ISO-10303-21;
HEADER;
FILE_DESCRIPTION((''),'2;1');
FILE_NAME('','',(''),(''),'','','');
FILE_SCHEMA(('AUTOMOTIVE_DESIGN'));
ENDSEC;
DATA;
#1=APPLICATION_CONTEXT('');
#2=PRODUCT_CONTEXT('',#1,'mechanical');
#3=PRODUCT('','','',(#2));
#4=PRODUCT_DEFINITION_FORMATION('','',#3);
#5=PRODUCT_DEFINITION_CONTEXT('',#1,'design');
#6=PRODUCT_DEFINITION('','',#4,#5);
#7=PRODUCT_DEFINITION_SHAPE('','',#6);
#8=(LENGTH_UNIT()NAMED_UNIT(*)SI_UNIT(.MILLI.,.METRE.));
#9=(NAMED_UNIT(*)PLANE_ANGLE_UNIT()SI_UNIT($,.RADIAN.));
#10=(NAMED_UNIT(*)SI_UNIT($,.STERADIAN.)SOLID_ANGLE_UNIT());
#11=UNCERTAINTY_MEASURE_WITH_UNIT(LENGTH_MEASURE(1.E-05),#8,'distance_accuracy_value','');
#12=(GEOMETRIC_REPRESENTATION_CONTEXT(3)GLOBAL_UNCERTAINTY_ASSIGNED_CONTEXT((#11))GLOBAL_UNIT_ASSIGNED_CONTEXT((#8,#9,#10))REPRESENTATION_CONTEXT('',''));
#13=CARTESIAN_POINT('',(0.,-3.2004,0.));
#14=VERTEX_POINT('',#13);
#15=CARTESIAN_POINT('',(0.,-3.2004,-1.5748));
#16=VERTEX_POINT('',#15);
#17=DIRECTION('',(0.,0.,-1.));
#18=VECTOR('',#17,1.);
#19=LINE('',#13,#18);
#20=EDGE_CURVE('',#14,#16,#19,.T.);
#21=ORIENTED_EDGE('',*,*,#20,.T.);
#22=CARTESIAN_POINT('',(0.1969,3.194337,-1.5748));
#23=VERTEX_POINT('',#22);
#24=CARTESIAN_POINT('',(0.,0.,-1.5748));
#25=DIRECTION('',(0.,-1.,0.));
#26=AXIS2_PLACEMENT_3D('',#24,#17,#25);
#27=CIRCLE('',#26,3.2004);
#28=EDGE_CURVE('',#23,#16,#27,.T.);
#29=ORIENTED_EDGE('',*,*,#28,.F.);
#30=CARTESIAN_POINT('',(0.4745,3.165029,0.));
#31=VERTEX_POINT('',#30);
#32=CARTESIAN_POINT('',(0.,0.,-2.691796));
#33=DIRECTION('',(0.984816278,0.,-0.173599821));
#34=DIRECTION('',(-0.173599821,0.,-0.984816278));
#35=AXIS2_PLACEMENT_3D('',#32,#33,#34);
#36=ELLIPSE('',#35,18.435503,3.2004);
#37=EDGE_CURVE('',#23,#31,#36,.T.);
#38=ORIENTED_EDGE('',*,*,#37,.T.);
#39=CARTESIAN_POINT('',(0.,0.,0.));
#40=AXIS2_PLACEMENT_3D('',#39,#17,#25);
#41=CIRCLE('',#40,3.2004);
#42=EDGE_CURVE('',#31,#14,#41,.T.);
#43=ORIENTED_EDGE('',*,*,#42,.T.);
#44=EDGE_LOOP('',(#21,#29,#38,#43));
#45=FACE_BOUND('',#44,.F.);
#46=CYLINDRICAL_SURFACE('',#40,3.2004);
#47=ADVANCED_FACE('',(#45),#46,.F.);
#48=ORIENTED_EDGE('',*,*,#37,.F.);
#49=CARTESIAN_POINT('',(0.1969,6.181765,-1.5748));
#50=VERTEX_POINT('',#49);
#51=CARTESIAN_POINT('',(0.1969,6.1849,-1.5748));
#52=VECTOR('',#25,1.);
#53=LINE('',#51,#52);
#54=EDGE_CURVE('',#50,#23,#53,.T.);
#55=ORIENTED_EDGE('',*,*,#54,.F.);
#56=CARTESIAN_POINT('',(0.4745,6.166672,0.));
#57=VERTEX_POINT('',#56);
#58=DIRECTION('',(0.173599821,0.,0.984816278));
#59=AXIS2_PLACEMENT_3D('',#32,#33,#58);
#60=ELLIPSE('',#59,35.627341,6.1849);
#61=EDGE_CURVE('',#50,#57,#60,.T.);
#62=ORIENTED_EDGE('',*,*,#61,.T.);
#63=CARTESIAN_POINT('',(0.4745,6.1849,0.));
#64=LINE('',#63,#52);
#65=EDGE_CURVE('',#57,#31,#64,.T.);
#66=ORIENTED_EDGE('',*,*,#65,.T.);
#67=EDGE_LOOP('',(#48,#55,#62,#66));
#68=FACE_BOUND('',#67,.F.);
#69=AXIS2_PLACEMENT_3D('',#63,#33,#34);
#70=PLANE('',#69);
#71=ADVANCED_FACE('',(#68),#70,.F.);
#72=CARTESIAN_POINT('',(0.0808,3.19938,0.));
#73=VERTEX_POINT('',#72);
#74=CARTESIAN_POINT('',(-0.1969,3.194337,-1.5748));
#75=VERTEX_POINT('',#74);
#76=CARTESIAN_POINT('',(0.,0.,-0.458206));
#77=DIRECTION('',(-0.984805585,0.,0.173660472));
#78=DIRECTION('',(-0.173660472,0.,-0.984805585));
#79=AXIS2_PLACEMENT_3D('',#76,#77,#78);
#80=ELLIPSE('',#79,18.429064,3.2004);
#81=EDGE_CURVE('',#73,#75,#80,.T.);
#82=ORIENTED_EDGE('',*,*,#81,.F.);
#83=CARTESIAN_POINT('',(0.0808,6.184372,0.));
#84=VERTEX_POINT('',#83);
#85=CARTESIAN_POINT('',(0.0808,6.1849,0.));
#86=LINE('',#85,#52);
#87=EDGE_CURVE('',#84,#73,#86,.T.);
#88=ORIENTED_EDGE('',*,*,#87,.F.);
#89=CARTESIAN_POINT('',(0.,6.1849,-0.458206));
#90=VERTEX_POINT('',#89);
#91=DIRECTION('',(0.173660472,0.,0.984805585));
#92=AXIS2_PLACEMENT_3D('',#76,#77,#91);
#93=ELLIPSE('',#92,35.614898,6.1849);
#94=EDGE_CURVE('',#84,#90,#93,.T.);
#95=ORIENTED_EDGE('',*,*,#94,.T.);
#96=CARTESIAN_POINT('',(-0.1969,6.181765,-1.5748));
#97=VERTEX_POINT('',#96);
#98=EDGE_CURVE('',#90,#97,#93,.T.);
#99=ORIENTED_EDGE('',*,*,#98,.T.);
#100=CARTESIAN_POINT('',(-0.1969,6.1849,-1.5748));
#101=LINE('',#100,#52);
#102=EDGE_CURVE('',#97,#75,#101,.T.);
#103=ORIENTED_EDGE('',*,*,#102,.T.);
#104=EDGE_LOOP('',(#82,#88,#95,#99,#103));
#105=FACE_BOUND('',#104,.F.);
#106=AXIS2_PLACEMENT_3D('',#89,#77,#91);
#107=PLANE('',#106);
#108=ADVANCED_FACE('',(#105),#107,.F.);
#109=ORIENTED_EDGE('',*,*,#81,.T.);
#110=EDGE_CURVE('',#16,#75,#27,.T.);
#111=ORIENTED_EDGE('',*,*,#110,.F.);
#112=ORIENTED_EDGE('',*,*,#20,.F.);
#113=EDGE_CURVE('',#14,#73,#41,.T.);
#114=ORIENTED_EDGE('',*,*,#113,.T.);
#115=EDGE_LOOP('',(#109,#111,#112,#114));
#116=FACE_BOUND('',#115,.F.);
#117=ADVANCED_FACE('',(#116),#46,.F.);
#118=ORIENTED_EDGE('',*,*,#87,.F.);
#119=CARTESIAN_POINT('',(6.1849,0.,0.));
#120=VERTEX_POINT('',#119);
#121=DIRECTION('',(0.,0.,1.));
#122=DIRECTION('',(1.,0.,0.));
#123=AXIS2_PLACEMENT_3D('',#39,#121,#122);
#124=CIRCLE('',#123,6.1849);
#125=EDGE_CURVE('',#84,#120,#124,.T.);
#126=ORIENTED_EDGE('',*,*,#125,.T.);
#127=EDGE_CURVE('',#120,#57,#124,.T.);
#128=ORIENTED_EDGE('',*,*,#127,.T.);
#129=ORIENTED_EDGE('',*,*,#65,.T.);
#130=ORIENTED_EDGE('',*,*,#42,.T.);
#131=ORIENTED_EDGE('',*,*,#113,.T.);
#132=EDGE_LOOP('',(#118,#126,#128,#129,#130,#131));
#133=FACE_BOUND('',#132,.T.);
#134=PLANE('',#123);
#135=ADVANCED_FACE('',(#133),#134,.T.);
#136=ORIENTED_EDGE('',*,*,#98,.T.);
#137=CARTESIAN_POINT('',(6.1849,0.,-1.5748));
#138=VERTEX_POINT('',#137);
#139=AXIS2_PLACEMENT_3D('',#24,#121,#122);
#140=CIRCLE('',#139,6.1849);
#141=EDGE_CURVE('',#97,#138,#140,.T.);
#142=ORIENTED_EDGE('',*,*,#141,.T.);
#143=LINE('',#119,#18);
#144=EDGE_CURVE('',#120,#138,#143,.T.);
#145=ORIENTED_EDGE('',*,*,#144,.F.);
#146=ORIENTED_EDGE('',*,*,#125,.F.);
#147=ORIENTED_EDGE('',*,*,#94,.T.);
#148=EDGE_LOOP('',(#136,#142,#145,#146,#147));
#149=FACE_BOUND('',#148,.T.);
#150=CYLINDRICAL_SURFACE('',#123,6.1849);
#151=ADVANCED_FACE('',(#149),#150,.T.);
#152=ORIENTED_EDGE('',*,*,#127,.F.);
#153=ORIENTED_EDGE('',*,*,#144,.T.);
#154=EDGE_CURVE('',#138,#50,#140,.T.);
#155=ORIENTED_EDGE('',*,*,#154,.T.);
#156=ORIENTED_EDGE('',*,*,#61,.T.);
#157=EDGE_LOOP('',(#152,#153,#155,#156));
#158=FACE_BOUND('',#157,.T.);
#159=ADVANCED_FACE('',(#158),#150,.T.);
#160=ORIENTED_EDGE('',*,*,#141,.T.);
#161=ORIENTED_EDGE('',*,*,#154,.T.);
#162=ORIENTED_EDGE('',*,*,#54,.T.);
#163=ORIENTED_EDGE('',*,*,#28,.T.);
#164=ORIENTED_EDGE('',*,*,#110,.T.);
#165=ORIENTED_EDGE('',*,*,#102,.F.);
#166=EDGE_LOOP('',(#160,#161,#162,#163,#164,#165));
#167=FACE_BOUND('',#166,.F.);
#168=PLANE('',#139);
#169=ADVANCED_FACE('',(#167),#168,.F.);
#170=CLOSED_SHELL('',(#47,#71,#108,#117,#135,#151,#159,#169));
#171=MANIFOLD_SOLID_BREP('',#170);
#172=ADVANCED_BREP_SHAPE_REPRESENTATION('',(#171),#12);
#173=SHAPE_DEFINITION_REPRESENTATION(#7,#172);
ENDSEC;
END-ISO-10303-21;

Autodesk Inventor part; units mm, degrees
ref_plane "WorkPlane1" through (0, 0, 0) normal (0, 0, 1) x (1, 0, 0)
ref_plane "WorkPlane3" through (0, 0, -1.5748) normal (0, 0, 1) x (1, 0, 0)
ref_plane "Work Plane3" through (0, -6.1849, 0) normal (0, 1, 0) x (-1, 0, 0)
ref_plane "WorkPlane10" through (0, 6.1849, 0) normal (0, 1, 0) x (-1, 0, 0)
sketch "Sketch1" plane through (0, 0, 0) normal (0, 0, 1) x (1, 0, 0)
  point P0 (0, 0)
sketch "Sketch2" plane through (0, 0, 0) normal (0, 0, 1) x (1, 0, 0)
  circle A0 centre (0, 0) radius 6.1849
  dimension "d3" = 12.3698
extrude "Extrusion1" add sketch "Sketch2" against normal blind 1.5748
sketch "Sketch4" plane through (0, 0, 0) normal (0, 0, 1) x (1, 0, 0)
  circle A0 centre (0, 0) radius 6.1849 projected
hole "Hole1" at (0, 0, 0) direction (0, 0, -1) diameter 6.4008 end through all
sketch "Sketch5" plane through (0, 6.1849, 0) normal (0, 1, 0) x (-1, 0, 0)
  line L0 (-0.0808, 0) -> (-0.4745, 0)
  line L1 (0.1969, -1.5748) -> (-0.0808, 0)
  line L2 (-0.1969, -1.5748) -> (0.1969, -1.5748)
  line L3 (-0.4745, 0) -> (-0.1969, -1.5748)
  line L4 (-3.2004, 0) -> (3.2004, 0) construction
  line L5 (6.1849, -1.5748) -> (-6.1849, -1.5748) construction
  line L6 (0, -3.048) -> (0, 0.508) projected
  dimension "d15" = 80
  dimension "d18" = 0.1968
  dimension "d19" = 0.1968
extrude "Extrusion2" cut sketch "Sketch5" against normal blind 6.1849
ref_plane "MSC_PT1" through (0, 0, 0) normal (0, 0, 1) x (1, 0, 0)
ref_plane "MSC_PT2" through (0, 0, -1.5748) normal (0, 0, -1) x (-1, 0, 0)
equation "\"d7\" = Diam1"
equation "\"d4\" = ParH"
equation "\"d18\" = 0.125 * ParH"
equation "\"d19\" = 0.125 * ParH"
equation "\"d16\" = 0.5 * Diam2"
equation "\"d3\" = Diam2"
equation "\"Diam2\" = 12.3698"
equation "\"ParH\" = 1.5748"
equation "\"Diam1\" = 6.4008"
equation "\"d20\" = 0.5 * Diam2"
properties part number "ANSI B18.21.1 - 0.25" material "Steel, Mild"
